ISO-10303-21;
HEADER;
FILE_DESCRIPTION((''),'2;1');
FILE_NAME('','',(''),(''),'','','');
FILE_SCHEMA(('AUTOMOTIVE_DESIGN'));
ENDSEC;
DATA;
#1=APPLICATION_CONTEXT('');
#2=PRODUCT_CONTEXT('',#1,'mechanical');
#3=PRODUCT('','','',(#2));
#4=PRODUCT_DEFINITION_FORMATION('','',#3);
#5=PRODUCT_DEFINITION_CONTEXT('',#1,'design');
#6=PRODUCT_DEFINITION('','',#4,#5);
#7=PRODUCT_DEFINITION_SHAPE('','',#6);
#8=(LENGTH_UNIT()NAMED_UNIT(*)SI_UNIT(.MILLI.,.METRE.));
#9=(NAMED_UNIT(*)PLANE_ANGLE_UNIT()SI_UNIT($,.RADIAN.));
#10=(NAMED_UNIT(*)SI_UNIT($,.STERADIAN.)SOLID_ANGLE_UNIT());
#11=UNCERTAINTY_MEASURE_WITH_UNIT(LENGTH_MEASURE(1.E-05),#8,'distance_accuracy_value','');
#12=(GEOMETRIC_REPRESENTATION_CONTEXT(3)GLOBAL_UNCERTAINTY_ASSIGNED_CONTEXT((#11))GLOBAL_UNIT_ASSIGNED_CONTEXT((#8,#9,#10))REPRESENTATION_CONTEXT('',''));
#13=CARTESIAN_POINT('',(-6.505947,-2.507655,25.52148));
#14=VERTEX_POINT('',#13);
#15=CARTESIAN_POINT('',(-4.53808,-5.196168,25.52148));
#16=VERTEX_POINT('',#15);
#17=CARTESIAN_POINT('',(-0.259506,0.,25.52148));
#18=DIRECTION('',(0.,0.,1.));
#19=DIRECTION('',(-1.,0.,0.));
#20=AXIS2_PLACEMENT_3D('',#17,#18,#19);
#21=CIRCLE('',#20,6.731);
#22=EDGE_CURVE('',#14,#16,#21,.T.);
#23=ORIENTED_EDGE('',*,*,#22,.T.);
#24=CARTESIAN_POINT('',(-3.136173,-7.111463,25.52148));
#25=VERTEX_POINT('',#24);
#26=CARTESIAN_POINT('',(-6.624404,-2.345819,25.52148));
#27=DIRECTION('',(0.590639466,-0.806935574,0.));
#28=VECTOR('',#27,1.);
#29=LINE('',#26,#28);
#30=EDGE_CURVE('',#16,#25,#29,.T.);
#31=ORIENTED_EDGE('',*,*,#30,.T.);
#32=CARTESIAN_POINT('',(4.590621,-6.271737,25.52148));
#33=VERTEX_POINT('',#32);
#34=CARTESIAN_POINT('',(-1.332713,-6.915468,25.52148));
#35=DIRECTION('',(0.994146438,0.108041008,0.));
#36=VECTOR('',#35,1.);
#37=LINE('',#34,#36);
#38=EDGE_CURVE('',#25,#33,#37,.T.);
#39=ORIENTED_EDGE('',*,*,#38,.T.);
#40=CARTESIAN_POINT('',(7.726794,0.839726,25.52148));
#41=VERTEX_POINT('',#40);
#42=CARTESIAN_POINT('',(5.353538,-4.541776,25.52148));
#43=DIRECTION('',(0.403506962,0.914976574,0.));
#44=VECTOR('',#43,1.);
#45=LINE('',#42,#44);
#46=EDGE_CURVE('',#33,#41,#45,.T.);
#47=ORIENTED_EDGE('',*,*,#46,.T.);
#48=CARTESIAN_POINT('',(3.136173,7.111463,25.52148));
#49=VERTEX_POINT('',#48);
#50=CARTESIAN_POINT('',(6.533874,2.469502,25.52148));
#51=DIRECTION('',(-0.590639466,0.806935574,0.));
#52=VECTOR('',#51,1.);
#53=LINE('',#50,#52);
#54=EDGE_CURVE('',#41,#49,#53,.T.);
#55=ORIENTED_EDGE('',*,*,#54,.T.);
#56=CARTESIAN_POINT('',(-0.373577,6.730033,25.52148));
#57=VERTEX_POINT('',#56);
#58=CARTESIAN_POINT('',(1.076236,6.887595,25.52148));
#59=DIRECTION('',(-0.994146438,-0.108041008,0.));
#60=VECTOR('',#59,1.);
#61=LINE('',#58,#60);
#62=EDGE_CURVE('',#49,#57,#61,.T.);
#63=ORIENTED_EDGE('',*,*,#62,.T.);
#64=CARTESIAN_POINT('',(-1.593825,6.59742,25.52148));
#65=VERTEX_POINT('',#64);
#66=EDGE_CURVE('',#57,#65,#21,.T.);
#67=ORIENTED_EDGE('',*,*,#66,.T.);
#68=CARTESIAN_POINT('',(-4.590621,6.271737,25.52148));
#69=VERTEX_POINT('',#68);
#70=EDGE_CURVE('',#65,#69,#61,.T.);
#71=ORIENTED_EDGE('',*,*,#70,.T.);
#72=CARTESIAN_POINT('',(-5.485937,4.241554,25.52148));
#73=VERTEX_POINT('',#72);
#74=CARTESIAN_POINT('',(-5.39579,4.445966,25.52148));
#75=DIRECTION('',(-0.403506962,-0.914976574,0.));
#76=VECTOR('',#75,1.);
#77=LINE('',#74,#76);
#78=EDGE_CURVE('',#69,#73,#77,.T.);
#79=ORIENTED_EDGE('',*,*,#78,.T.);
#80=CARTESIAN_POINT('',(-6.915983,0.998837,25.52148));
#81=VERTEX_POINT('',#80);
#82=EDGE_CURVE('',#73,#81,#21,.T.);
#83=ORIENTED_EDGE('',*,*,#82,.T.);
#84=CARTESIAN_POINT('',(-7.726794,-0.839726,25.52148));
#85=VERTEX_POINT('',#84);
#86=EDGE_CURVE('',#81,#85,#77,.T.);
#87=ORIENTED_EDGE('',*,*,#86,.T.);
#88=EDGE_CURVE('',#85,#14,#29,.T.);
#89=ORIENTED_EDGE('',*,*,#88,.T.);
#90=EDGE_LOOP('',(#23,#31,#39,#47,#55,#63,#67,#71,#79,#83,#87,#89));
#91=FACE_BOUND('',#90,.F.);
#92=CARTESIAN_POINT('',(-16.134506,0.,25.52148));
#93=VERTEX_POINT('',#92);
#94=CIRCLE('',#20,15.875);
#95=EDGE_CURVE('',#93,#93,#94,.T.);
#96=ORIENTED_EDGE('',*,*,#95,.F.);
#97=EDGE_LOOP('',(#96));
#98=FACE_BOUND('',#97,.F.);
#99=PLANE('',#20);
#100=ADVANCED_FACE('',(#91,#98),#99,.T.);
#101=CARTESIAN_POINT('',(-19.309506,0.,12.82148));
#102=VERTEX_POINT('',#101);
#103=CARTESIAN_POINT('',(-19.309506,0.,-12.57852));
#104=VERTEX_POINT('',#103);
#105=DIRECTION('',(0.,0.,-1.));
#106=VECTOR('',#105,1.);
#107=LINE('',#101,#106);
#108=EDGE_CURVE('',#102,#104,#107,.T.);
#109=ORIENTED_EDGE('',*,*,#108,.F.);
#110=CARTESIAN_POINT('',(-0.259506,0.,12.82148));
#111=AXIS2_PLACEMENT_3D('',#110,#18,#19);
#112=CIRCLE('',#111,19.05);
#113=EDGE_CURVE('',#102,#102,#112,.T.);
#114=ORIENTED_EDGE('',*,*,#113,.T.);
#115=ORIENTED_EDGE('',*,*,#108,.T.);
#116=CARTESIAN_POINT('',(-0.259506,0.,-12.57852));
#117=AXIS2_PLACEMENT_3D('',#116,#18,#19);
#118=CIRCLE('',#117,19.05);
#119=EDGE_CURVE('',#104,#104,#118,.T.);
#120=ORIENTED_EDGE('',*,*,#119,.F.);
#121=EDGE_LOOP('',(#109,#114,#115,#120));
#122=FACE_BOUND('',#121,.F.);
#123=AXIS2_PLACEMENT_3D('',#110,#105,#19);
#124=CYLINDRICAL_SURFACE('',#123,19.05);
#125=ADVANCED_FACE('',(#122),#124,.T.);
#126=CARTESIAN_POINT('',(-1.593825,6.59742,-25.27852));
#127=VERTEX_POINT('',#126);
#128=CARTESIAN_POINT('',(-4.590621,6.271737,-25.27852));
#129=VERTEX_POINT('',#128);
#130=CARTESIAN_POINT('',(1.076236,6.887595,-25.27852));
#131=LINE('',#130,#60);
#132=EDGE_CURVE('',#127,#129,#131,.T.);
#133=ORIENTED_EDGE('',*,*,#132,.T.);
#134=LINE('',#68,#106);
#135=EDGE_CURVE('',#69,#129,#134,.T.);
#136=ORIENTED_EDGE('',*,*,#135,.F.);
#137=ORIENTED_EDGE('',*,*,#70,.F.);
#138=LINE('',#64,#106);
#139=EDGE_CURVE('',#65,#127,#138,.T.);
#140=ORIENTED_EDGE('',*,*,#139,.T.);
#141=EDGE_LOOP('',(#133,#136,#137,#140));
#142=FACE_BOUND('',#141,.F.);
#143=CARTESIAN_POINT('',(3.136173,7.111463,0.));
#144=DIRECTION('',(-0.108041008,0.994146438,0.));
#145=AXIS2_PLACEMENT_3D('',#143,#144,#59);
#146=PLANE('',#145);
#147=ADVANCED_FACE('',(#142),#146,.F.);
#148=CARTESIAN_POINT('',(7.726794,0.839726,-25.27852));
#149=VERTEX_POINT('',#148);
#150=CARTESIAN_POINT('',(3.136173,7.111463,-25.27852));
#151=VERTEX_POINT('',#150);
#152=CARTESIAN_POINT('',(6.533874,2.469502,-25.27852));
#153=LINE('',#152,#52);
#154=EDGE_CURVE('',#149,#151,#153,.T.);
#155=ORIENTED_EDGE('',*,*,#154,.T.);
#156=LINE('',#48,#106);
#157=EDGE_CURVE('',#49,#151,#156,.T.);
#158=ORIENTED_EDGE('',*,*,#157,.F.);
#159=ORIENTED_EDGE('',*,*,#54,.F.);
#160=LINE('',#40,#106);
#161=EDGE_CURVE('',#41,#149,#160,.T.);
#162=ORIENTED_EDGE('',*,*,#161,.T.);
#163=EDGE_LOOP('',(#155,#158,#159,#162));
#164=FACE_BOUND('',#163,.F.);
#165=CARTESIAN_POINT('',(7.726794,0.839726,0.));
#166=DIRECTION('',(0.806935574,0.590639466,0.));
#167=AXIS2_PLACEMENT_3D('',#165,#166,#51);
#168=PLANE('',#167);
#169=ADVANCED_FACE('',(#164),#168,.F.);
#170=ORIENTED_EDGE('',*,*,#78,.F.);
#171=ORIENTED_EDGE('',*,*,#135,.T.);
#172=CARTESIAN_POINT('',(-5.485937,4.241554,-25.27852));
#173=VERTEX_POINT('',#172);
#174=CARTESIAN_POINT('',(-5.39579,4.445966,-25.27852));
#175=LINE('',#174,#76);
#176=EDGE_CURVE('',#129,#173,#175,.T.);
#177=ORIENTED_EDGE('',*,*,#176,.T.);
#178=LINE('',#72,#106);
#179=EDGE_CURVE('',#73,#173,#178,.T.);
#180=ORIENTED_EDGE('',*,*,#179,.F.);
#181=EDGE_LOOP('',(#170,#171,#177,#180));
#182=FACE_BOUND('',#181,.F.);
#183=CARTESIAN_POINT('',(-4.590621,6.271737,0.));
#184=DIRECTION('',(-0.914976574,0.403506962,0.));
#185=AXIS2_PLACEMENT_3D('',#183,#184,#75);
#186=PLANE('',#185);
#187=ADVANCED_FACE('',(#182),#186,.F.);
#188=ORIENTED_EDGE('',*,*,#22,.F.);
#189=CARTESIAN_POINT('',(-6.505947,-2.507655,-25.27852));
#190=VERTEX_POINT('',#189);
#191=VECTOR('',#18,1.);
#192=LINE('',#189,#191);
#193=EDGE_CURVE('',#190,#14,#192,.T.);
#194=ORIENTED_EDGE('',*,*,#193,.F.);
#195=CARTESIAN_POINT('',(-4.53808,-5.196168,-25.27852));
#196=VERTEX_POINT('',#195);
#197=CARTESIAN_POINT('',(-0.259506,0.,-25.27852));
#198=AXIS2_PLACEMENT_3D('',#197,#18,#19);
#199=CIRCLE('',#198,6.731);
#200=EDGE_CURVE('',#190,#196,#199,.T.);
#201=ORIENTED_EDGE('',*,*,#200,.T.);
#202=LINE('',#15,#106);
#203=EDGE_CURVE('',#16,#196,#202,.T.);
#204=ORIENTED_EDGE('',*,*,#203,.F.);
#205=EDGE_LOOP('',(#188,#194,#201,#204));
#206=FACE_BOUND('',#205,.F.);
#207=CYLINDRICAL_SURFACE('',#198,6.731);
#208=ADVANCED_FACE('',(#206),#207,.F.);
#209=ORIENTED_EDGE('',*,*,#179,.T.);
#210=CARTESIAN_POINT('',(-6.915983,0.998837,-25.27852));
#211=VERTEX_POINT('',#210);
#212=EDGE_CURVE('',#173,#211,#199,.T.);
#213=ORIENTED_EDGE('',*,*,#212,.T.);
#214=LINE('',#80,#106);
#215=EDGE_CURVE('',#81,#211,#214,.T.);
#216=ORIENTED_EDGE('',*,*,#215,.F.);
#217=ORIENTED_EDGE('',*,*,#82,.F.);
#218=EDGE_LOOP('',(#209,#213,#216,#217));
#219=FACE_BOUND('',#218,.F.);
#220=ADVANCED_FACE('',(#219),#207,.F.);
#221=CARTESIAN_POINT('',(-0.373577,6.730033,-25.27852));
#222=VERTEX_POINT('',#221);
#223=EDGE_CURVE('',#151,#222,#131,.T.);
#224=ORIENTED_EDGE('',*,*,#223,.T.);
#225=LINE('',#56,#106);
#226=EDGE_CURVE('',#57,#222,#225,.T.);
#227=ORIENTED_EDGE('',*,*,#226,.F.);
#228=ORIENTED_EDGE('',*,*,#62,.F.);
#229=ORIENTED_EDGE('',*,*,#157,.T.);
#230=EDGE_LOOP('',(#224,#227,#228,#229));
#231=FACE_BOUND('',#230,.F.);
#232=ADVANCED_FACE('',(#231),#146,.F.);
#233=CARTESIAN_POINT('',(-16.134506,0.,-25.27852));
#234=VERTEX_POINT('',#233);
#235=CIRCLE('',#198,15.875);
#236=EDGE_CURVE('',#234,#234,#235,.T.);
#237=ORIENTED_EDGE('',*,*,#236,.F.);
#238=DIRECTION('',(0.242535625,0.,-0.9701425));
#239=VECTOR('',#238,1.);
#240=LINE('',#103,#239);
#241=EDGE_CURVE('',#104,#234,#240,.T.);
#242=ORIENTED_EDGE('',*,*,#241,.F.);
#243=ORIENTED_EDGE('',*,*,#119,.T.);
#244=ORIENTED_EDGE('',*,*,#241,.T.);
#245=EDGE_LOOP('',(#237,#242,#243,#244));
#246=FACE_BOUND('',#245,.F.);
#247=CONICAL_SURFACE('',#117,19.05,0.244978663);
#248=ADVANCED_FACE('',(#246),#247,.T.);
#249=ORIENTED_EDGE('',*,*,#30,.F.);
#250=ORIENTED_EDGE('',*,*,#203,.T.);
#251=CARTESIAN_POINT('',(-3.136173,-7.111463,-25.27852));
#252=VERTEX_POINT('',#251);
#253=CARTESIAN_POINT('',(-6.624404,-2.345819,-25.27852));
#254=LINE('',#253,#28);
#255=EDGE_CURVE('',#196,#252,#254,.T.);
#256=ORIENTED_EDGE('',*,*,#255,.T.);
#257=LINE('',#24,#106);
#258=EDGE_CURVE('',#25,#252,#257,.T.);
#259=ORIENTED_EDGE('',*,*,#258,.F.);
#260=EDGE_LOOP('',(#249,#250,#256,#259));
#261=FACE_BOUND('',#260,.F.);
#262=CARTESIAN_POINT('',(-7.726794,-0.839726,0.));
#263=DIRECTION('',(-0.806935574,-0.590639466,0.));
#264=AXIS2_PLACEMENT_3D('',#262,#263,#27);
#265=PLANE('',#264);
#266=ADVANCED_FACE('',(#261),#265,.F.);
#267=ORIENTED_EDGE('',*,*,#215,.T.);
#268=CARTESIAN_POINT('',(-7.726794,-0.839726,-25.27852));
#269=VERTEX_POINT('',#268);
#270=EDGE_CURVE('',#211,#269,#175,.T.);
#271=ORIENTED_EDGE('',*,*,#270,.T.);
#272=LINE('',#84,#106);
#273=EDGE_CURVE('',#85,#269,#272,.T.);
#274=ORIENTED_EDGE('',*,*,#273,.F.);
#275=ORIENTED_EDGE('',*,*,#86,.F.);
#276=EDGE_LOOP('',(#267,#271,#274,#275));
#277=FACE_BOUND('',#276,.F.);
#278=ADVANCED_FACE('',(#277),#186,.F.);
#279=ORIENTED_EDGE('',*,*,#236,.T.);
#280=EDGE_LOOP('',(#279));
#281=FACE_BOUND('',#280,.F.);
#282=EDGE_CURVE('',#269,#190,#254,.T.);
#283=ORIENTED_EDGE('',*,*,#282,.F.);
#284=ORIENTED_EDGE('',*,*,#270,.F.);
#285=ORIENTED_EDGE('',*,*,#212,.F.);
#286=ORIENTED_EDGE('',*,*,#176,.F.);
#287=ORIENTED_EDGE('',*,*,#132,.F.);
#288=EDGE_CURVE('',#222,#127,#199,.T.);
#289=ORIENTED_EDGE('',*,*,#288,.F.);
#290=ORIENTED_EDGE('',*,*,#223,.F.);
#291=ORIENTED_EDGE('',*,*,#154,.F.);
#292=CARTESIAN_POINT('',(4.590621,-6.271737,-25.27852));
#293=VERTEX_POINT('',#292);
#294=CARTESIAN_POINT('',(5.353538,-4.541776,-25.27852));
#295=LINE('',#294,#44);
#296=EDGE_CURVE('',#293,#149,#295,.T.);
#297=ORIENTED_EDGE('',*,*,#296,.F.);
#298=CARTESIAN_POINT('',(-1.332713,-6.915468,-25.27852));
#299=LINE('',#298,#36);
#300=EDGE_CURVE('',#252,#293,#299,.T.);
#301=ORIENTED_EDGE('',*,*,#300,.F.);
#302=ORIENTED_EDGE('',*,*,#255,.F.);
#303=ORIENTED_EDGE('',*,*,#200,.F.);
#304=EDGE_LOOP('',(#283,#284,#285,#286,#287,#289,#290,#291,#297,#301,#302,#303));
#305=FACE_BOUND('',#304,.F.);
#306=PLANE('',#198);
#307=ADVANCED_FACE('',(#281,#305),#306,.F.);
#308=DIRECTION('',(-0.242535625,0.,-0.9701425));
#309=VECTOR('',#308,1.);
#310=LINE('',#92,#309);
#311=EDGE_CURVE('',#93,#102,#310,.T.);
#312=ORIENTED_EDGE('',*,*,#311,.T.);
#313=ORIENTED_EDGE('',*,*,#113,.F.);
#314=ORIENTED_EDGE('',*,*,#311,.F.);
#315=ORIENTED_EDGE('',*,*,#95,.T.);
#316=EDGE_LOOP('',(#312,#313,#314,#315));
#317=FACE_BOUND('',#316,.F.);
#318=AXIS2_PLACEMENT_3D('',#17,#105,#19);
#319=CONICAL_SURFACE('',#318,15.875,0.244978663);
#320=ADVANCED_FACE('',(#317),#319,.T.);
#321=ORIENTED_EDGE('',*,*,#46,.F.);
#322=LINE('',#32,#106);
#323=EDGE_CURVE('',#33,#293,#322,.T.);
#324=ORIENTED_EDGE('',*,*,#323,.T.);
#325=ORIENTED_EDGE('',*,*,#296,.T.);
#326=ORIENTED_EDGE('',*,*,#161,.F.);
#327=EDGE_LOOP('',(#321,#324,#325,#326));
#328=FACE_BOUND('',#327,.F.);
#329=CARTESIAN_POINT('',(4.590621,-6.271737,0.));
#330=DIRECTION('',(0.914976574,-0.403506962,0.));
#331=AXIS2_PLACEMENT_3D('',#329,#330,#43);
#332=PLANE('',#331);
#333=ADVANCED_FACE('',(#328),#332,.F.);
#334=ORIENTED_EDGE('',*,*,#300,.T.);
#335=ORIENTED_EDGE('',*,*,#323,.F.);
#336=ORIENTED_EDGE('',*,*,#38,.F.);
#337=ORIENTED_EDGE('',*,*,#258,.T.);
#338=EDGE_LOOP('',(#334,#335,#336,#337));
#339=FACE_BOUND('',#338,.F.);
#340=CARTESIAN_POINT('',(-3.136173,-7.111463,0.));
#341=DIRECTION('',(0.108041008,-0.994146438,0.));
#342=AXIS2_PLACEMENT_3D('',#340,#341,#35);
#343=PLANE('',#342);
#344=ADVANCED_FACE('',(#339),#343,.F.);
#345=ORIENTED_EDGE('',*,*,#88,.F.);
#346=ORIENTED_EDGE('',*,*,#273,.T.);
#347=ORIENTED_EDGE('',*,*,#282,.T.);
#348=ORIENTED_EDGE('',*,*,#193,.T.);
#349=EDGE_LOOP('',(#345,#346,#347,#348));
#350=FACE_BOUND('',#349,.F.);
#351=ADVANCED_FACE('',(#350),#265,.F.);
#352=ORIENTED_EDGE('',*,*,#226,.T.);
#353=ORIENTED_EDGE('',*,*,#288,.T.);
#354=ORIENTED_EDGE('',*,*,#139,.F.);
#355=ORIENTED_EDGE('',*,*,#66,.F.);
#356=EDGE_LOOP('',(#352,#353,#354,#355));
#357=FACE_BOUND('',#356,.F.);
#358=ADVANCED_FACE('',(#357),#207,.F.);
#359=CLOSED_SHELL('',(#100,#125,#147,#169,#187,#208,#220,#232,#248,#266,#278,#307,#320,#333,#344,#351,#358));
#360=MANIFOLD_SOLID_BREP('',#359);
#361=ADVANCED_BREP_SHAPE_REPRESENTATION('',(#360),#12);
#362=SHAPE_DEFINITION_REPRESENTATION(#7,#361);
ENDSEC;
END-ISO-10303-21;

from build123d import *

# Parameters (mm, degrees)
F3_DEPTH      = 50.8
F3_DEPTH_BACK = -50.8


with BuildPart() as f1:
    # F0 (on Front) → F1 (revolve)
    with BuildSketch(Plane.XZ):
        Polygon((-16.134506, -25.27852), (-6.990506, -25.27852), (-6.990506, 25.52148), (-16.134506, 25.52148), (-19.309506, 12.82148), (-19.309506, -12.57852), align=None)
    revolve(axis=Axis((-0.259506, 0, -0.29264), (0, 0, 1)))

    # F2 (on Top) → F3 (cut, two sides)
    with BuildSketch(Plane.XY) as f3_sk:
        Polygon((7.726794, 0.839726), (3.136173, 7.111463), (-4.590621, 6.271737), (-7.726794, -0.839726), (-3.136173, -7.111463), (4.590621, -6.271737), align=None)
    extrude(amount=-F3_DEPTH, mode=Mode.SUBTRACT)
    extrude(f3_sk.sketch, amount=-F3_DEPTH_BACK, mode=Mode.SUBTRACT)


solid = f1.part
